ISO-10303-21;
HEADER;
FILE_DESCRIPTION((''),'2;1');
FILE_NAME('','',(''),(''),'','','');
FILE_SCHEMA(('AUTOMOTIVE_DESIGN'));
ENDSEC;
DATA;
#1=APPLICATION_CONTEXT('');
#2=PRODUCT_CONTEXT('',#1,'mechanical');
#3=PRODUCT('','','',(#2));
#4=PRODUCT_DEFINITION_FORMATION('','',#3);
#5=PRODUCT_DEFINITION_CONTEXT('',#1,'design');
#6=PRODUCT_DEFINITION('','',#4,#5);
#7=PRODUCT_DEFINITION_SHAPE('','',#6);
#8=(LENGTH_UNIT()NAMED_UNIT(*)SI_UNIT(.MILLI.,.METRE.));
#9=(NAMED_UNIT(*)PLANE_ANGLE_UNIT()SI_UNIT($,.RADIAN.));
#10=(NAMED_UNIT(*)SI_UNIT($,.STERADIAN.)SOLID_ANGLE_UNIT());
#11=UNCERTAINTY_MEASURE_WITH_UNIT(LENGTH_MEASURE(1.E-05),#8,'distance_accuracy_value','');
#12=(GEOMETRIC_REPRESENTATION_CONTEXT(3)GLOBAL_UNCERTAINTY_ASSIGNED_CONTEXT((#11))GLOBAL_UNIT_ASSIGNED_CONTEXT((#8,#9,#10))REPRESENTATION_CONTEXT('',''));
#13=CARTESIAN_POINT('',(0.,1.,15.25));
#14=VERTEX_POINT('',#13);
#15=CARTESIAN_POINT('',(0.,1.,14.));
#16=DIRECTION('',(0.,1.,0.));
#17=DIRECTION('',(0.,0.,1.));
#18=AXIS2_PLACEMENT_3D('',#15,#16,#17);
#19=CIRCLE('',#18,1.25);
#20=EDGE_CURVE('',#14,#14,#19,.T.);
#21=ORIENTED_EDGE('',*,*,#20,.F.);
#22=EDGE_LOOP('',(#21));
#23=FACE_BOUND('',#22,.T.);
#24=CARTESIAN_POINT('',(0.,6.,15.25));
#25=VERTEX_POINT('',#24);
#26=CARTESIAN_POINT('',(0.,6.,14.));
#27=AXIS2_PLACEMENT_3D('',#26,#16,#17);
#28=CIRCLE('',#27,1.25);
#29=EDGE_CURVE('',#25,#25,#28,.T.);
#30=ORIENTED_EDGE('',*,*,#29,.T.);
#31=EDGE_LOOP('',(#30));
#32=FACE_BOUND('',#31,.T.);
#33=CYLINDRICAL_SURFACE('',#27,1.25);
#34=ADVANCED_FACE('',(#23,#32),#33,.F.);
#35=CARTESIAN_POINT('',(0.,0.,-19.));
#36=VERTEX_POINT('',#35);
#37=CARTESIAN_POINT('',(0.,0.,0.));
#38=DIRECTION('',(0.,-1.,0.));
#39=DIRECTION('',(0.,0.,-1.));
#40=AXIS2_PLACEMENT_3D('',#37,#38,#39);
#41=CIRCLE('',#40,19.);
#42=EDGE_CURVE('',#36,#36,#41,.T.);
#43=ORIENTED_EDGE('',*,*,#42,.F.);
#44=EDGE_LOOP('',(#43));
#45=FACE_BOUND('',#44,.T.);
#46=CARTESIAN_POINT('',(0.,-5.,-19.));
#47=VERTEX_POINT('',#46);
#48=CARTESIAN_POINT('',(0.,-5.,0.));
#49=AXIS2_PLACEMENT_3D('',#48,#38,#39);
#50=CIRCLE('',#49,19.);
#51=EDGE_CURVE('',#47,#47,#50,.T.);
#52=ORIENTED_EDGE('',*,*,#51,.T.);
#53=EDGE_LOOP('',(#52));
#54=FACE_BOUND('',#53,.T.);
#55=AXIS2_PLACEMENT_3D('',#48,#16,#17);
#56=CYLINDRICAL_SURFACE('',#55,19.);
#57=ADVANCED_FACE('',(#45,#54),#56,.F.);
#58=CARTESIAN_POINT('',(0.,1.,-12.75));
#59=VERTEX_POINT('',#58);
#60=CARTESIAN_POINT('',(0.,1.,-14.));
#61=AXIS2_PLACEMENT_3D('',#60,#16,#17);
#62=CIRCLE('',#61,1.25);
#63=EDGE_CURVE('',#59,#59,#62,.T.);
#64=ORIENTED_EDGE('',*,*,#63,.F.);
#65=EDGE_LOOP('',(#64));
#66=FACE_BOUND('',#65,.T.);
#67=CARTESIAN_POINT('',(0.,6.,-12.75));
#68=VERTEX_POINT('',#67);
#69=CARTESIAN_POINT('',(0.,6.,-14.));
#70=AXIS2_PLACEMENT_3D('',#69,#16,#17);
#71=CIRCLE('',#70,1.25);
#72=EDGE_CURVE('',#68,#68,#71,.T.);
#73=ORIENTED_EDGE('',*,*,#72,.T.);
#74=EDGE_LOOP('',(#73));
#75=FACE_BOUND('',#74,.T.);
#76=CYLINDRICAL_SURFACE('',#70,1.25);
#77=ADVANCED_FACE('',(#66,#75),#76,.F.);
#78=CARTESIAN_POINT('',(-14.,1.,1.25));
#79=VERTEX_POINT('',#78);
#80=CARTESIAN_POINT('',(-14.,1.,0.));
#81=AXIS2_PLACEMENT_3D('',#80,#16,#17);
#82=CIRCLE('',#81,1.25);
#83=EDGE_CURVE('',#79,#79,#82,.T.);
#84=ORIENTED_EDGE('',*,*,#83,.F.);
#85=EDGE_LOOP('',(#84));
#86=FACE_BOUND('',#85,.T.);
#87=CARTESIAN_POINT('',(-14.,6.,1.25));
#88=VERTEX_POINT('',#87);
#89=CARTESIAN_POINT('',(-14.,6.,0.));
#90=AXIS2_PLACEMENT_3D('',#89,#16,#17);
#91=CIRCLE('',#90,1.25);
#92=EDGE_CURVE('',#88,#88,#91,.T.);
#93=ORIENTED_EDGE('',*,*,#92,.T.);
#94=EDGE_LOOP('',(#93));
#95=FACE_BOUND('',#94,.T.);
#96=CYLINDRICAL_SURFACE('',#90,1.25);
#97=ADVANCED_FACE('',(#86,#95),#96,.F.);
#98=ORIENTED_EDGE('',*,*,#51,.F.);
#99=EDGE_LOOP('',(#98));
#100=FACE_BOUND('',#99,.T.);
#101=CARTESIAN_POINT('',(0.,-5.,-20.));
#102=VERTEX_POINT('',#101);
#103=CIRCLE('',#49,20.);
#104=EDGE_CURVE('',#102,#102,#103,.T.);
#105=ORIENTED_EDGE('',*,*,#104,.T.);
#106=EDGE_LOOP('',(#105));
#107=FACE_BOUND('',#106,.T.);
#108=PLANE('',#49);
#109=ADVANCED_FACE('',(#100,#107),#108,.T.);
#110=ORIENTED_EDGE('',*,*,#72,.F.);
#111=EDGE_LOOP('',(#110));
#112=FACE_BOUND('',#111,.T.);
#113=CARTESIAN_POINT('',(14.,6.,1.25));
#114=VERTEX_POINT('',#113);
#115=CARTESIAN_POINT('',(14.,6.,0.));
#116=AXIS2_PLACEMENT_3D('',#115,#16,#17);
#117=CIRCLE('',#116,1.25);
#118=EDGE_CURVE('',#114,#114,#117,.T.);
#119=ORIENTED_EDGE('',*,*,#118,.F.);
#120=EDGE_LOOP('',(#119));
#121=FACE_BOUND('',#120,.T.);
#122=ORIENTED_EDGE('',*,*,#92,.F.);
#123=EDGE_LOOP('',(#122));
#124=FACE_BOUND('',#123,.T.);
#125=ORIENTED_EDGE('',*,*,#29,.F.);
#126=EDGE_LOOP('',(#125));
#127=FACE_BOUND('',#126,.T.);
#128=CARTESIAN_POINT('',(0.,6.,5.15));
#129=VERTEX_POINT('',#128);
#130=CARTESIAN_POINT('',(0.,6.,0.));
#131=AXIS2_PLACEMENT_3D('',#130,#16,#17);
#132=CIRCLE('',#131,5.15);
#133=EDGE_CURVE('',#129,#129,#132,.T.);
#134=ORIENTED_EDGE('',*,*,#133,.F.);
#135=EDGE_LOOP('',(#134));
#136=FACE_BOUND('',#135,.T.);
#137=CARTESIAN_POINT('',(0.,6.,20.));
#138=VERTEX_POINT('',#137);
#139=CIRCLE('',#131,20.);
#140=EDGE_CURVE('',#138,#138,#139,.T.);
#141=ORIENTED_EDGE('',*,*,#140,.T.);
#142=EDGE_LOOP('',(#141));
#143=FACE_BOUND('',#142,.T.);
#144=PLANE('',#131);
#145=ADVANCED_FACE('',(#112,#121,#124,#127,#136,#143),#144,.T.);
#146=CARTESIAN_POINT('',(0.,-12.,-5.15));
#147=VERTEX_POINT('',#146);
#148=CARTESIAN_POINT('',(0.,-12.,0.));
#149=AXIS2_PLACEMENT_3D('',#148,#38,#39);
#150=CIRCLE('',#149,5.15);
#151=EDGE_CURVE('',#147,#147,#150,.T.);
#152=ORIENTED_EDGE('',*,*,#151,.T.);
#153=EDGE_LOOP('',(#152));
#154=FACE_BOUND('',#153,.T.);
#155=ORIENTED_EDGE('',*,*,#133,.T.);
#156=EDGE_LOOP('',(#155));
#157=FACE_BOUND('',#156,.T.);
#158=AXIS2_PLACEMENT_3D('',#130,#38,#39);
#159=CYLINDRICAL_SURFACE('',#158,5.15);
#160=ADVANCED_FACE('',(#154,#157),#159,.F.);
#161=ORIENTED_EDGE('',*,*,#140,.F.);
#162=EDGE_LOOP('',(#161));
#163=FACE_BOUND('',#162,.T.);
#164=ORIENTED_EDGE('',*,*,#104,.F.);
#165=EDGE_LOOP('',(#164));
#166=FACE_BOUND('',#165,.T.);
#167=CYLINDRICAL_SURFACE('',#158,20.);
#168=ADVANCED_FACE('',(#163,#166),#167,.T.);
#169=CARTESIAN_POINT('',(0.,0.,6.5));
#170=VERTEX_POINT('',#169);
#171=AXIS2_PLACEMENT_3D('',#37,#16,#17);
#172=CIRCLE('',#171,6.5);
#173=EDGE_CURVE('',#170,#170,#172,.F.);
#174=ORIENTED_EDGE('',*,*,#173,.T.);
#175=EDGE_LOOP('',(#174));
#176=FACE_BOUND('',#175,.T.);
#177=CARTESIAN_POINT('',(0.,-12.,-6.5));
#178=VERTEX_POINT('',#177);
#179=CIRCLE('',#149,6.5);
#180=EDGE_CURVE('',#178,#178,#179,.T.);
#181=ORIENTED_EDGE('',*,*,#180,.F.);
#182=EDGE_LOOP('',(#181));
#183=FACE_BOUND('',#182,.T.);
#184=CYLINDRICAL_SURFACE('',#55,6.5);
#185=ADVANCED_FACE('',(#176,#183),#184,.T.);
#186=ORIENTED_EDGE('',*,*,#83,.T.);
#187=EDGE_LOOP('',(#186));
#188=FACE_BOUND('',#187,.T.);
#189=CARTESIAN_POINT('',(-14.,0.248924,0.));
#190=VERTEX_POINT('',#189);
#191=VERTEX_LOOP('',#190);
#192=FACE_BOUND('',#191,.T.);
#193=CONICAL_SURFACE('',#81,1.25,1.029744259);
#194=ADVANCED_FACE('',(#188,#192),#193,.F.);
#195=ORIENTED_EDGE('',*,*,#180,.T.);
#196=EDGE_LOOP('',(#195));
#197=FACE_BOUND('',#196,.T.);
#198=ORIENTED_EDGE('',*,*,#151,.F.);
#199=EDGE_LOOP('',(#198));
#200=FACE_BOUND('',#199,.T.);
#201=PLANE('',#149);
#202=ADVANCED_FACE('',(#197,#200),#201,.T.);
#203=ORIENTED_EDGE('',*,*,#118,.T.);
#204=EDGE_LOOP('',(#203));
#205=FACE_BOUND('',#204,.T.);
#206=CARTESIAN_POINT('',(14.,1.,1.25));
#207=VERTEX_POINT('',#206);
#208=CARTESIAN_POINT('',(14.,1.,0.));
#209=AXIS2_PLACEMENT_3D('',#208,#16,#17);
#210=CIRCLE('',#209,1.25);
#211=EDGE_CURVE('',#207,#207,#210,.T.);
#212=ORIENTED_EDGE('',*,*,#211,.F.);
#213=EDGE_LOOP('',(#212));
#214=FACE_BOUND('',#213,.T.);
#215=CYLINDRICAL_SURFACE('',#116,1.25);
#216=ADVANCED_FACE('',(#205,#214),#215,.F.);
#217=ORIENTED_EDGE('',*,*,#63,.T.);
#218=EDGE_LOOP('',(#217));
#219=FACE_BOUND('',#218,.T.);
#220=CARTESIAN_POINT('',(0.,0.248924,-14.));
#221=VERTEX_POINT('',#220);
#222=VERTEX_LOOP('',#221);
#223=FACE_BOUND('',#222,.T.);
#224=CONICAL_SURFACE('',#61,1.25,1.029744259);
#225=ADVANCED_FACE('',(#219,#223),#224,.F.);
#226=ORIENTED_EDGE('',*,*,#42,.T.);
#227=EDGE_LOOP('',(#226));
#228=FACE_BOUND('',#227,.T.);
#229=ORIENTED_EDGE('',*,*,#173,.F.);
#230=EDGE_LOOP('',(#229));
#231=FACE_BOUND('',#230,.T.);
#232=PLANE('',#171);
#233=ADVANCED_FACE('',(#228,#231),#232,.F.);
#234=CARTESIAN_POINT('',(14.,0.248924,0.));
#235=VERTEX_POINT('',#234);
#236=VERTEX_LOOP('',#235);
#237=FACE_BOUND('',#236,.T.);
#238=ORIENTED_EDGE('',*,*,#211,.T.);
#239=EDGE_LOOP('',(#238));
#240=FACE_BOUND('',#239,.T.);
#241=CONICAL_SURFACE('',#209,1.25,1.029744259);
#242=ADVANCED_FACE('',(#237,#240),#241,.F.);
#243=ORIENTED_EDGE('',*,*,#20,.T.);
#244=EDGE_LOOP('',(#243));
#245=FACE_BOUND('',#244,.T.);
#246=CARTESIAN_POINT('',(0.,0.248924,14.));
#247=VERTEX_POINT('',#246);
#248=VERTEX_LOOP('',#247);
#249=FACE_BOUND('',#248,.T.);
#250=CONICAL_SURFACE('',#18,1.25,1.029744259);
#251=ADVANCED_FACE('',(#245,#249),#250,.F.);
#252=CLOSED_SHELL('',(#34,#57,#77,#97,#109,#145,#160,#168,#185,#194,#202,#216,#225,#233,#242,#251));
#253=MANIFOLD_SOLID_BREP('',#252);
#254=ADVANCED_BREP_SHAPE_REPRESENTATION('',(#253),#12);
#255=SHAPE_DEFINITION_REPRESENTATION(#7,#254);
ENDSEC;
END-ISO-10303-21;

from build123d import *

# Parameters (mm, degrees)
SKETCH_1_R             = 20
SKETCH_1_R_2           = 5.15
EXTRUDE_1_DEPTH        = 6
EXTRUDE_START          = 5
SKETCH_2_R             = 20
SKETCH_2_R_2           = 19
SKETCH_2_R_3           = 6.5
SKETCH_2_R_4           = 5.15
EXTRUDE_2_DEPTH        = 5
EXTRUDE_START_2        = 7
SKETCH_3_R             = 6.5
SKETCH_3_R_2           = 5.15
EXTRUDE_3_DEPTH        = 7
HOLE_WIZARD_M3_1_D     = 2.5
HOLE_WIZARD_M3_1_DEPTH = 5
HOLE_WIZARD_M3_1_TIP   = 0.751075774


with BuildPart() as part:
    # 草图1 → 凸台-拉伸1 (new body)
    with BuildSketch(Plane(origin=(0, 0, 0), x_dir=(1, 0, 0), z_dir=(0, 1, 0))):
        with Locations(Location((0, 0, 0), (0, 0, 270))):
            Circle(SKETCH_1_R)
        with Locations(Location((0, 0, 0), (0, 0, 270))):
            Circle(SKETCH_1_R_2, mode=Mode.SUBTRACT)
    extrude(amount=EXTRUDE_1_DEPTH)

    # 草图2 → 凸台-拉伸2 (add)
    # profile 1 of 2: a face of its own
    with BuildSketch(Plane.XZ.offset(EXTRUDE_START)):
        with Locations(Location((0, 0, 0), (0, 0, 270))):
            Circle(SKETCH_2_R)
        with Locations(Location((0, 0, 0), (0, 0, 270))):
            Circle(SKETCH_2_R_2, mode=Mode.SUBTRACT)
    # profile 2 of 2: a face of its own
    with BuildSketch(Plane.XZ.offset(EXTRUDE_START)):
        with Locations(Location((0, 0, 0), (0, 0, 90))):
            Circle(SKETCH_2_R_3)
        with Locations(Location((0, 0, 0), (0, 0, 270))):
            Circle(SKETCH_2_R_4, mode=Mode.SUBTRACT)
    extrude(amount=-EXTRUDE_2_DEPTH)

    # 草图3 → 凸台-拉伸3 (add)
    with BuildSketch(Plane.XZ.offset(5).offset(EXTRUDE_START_2)):
        with Locations(Location((0, 0, 0), (0, 0, 90))):
            Circle(SKETCH_3_R)
        with Locations(Location((0, 0, 0), (0, 0, 270))):
            Circle(SKETCH_3_R_2, mode=Mode.SUBTRACT)
    extrude(amount=-EXTRUDE_3_DEPTH)

    # M3 螺纹孔1
    with Locations(Plane(origin=(0, 6, 0), x_dir=(1, 0, 0), z_dir=(0, 1, 0))):
        with Locations((0, 14), (0, -14), (14, 0), (-14, 0)):
            Hole(HOLE_WIZARD_M3_1_D / 2, depth=HOLE_WIZARD_M3_1_DEPTH)
            with Locations((0, 0, -(HOLE_WIZARD_M3_1_DEPTH + HOLE_WIZARD_M3_1_TIP / 2))):  # 118° drill point
                Cone(0, HOLE_WIZARD_M3_1_D / 2, HOLE_WIZARD_M3_1_TIP, mode=Mode.SUBTRACT)


solid = part.part
